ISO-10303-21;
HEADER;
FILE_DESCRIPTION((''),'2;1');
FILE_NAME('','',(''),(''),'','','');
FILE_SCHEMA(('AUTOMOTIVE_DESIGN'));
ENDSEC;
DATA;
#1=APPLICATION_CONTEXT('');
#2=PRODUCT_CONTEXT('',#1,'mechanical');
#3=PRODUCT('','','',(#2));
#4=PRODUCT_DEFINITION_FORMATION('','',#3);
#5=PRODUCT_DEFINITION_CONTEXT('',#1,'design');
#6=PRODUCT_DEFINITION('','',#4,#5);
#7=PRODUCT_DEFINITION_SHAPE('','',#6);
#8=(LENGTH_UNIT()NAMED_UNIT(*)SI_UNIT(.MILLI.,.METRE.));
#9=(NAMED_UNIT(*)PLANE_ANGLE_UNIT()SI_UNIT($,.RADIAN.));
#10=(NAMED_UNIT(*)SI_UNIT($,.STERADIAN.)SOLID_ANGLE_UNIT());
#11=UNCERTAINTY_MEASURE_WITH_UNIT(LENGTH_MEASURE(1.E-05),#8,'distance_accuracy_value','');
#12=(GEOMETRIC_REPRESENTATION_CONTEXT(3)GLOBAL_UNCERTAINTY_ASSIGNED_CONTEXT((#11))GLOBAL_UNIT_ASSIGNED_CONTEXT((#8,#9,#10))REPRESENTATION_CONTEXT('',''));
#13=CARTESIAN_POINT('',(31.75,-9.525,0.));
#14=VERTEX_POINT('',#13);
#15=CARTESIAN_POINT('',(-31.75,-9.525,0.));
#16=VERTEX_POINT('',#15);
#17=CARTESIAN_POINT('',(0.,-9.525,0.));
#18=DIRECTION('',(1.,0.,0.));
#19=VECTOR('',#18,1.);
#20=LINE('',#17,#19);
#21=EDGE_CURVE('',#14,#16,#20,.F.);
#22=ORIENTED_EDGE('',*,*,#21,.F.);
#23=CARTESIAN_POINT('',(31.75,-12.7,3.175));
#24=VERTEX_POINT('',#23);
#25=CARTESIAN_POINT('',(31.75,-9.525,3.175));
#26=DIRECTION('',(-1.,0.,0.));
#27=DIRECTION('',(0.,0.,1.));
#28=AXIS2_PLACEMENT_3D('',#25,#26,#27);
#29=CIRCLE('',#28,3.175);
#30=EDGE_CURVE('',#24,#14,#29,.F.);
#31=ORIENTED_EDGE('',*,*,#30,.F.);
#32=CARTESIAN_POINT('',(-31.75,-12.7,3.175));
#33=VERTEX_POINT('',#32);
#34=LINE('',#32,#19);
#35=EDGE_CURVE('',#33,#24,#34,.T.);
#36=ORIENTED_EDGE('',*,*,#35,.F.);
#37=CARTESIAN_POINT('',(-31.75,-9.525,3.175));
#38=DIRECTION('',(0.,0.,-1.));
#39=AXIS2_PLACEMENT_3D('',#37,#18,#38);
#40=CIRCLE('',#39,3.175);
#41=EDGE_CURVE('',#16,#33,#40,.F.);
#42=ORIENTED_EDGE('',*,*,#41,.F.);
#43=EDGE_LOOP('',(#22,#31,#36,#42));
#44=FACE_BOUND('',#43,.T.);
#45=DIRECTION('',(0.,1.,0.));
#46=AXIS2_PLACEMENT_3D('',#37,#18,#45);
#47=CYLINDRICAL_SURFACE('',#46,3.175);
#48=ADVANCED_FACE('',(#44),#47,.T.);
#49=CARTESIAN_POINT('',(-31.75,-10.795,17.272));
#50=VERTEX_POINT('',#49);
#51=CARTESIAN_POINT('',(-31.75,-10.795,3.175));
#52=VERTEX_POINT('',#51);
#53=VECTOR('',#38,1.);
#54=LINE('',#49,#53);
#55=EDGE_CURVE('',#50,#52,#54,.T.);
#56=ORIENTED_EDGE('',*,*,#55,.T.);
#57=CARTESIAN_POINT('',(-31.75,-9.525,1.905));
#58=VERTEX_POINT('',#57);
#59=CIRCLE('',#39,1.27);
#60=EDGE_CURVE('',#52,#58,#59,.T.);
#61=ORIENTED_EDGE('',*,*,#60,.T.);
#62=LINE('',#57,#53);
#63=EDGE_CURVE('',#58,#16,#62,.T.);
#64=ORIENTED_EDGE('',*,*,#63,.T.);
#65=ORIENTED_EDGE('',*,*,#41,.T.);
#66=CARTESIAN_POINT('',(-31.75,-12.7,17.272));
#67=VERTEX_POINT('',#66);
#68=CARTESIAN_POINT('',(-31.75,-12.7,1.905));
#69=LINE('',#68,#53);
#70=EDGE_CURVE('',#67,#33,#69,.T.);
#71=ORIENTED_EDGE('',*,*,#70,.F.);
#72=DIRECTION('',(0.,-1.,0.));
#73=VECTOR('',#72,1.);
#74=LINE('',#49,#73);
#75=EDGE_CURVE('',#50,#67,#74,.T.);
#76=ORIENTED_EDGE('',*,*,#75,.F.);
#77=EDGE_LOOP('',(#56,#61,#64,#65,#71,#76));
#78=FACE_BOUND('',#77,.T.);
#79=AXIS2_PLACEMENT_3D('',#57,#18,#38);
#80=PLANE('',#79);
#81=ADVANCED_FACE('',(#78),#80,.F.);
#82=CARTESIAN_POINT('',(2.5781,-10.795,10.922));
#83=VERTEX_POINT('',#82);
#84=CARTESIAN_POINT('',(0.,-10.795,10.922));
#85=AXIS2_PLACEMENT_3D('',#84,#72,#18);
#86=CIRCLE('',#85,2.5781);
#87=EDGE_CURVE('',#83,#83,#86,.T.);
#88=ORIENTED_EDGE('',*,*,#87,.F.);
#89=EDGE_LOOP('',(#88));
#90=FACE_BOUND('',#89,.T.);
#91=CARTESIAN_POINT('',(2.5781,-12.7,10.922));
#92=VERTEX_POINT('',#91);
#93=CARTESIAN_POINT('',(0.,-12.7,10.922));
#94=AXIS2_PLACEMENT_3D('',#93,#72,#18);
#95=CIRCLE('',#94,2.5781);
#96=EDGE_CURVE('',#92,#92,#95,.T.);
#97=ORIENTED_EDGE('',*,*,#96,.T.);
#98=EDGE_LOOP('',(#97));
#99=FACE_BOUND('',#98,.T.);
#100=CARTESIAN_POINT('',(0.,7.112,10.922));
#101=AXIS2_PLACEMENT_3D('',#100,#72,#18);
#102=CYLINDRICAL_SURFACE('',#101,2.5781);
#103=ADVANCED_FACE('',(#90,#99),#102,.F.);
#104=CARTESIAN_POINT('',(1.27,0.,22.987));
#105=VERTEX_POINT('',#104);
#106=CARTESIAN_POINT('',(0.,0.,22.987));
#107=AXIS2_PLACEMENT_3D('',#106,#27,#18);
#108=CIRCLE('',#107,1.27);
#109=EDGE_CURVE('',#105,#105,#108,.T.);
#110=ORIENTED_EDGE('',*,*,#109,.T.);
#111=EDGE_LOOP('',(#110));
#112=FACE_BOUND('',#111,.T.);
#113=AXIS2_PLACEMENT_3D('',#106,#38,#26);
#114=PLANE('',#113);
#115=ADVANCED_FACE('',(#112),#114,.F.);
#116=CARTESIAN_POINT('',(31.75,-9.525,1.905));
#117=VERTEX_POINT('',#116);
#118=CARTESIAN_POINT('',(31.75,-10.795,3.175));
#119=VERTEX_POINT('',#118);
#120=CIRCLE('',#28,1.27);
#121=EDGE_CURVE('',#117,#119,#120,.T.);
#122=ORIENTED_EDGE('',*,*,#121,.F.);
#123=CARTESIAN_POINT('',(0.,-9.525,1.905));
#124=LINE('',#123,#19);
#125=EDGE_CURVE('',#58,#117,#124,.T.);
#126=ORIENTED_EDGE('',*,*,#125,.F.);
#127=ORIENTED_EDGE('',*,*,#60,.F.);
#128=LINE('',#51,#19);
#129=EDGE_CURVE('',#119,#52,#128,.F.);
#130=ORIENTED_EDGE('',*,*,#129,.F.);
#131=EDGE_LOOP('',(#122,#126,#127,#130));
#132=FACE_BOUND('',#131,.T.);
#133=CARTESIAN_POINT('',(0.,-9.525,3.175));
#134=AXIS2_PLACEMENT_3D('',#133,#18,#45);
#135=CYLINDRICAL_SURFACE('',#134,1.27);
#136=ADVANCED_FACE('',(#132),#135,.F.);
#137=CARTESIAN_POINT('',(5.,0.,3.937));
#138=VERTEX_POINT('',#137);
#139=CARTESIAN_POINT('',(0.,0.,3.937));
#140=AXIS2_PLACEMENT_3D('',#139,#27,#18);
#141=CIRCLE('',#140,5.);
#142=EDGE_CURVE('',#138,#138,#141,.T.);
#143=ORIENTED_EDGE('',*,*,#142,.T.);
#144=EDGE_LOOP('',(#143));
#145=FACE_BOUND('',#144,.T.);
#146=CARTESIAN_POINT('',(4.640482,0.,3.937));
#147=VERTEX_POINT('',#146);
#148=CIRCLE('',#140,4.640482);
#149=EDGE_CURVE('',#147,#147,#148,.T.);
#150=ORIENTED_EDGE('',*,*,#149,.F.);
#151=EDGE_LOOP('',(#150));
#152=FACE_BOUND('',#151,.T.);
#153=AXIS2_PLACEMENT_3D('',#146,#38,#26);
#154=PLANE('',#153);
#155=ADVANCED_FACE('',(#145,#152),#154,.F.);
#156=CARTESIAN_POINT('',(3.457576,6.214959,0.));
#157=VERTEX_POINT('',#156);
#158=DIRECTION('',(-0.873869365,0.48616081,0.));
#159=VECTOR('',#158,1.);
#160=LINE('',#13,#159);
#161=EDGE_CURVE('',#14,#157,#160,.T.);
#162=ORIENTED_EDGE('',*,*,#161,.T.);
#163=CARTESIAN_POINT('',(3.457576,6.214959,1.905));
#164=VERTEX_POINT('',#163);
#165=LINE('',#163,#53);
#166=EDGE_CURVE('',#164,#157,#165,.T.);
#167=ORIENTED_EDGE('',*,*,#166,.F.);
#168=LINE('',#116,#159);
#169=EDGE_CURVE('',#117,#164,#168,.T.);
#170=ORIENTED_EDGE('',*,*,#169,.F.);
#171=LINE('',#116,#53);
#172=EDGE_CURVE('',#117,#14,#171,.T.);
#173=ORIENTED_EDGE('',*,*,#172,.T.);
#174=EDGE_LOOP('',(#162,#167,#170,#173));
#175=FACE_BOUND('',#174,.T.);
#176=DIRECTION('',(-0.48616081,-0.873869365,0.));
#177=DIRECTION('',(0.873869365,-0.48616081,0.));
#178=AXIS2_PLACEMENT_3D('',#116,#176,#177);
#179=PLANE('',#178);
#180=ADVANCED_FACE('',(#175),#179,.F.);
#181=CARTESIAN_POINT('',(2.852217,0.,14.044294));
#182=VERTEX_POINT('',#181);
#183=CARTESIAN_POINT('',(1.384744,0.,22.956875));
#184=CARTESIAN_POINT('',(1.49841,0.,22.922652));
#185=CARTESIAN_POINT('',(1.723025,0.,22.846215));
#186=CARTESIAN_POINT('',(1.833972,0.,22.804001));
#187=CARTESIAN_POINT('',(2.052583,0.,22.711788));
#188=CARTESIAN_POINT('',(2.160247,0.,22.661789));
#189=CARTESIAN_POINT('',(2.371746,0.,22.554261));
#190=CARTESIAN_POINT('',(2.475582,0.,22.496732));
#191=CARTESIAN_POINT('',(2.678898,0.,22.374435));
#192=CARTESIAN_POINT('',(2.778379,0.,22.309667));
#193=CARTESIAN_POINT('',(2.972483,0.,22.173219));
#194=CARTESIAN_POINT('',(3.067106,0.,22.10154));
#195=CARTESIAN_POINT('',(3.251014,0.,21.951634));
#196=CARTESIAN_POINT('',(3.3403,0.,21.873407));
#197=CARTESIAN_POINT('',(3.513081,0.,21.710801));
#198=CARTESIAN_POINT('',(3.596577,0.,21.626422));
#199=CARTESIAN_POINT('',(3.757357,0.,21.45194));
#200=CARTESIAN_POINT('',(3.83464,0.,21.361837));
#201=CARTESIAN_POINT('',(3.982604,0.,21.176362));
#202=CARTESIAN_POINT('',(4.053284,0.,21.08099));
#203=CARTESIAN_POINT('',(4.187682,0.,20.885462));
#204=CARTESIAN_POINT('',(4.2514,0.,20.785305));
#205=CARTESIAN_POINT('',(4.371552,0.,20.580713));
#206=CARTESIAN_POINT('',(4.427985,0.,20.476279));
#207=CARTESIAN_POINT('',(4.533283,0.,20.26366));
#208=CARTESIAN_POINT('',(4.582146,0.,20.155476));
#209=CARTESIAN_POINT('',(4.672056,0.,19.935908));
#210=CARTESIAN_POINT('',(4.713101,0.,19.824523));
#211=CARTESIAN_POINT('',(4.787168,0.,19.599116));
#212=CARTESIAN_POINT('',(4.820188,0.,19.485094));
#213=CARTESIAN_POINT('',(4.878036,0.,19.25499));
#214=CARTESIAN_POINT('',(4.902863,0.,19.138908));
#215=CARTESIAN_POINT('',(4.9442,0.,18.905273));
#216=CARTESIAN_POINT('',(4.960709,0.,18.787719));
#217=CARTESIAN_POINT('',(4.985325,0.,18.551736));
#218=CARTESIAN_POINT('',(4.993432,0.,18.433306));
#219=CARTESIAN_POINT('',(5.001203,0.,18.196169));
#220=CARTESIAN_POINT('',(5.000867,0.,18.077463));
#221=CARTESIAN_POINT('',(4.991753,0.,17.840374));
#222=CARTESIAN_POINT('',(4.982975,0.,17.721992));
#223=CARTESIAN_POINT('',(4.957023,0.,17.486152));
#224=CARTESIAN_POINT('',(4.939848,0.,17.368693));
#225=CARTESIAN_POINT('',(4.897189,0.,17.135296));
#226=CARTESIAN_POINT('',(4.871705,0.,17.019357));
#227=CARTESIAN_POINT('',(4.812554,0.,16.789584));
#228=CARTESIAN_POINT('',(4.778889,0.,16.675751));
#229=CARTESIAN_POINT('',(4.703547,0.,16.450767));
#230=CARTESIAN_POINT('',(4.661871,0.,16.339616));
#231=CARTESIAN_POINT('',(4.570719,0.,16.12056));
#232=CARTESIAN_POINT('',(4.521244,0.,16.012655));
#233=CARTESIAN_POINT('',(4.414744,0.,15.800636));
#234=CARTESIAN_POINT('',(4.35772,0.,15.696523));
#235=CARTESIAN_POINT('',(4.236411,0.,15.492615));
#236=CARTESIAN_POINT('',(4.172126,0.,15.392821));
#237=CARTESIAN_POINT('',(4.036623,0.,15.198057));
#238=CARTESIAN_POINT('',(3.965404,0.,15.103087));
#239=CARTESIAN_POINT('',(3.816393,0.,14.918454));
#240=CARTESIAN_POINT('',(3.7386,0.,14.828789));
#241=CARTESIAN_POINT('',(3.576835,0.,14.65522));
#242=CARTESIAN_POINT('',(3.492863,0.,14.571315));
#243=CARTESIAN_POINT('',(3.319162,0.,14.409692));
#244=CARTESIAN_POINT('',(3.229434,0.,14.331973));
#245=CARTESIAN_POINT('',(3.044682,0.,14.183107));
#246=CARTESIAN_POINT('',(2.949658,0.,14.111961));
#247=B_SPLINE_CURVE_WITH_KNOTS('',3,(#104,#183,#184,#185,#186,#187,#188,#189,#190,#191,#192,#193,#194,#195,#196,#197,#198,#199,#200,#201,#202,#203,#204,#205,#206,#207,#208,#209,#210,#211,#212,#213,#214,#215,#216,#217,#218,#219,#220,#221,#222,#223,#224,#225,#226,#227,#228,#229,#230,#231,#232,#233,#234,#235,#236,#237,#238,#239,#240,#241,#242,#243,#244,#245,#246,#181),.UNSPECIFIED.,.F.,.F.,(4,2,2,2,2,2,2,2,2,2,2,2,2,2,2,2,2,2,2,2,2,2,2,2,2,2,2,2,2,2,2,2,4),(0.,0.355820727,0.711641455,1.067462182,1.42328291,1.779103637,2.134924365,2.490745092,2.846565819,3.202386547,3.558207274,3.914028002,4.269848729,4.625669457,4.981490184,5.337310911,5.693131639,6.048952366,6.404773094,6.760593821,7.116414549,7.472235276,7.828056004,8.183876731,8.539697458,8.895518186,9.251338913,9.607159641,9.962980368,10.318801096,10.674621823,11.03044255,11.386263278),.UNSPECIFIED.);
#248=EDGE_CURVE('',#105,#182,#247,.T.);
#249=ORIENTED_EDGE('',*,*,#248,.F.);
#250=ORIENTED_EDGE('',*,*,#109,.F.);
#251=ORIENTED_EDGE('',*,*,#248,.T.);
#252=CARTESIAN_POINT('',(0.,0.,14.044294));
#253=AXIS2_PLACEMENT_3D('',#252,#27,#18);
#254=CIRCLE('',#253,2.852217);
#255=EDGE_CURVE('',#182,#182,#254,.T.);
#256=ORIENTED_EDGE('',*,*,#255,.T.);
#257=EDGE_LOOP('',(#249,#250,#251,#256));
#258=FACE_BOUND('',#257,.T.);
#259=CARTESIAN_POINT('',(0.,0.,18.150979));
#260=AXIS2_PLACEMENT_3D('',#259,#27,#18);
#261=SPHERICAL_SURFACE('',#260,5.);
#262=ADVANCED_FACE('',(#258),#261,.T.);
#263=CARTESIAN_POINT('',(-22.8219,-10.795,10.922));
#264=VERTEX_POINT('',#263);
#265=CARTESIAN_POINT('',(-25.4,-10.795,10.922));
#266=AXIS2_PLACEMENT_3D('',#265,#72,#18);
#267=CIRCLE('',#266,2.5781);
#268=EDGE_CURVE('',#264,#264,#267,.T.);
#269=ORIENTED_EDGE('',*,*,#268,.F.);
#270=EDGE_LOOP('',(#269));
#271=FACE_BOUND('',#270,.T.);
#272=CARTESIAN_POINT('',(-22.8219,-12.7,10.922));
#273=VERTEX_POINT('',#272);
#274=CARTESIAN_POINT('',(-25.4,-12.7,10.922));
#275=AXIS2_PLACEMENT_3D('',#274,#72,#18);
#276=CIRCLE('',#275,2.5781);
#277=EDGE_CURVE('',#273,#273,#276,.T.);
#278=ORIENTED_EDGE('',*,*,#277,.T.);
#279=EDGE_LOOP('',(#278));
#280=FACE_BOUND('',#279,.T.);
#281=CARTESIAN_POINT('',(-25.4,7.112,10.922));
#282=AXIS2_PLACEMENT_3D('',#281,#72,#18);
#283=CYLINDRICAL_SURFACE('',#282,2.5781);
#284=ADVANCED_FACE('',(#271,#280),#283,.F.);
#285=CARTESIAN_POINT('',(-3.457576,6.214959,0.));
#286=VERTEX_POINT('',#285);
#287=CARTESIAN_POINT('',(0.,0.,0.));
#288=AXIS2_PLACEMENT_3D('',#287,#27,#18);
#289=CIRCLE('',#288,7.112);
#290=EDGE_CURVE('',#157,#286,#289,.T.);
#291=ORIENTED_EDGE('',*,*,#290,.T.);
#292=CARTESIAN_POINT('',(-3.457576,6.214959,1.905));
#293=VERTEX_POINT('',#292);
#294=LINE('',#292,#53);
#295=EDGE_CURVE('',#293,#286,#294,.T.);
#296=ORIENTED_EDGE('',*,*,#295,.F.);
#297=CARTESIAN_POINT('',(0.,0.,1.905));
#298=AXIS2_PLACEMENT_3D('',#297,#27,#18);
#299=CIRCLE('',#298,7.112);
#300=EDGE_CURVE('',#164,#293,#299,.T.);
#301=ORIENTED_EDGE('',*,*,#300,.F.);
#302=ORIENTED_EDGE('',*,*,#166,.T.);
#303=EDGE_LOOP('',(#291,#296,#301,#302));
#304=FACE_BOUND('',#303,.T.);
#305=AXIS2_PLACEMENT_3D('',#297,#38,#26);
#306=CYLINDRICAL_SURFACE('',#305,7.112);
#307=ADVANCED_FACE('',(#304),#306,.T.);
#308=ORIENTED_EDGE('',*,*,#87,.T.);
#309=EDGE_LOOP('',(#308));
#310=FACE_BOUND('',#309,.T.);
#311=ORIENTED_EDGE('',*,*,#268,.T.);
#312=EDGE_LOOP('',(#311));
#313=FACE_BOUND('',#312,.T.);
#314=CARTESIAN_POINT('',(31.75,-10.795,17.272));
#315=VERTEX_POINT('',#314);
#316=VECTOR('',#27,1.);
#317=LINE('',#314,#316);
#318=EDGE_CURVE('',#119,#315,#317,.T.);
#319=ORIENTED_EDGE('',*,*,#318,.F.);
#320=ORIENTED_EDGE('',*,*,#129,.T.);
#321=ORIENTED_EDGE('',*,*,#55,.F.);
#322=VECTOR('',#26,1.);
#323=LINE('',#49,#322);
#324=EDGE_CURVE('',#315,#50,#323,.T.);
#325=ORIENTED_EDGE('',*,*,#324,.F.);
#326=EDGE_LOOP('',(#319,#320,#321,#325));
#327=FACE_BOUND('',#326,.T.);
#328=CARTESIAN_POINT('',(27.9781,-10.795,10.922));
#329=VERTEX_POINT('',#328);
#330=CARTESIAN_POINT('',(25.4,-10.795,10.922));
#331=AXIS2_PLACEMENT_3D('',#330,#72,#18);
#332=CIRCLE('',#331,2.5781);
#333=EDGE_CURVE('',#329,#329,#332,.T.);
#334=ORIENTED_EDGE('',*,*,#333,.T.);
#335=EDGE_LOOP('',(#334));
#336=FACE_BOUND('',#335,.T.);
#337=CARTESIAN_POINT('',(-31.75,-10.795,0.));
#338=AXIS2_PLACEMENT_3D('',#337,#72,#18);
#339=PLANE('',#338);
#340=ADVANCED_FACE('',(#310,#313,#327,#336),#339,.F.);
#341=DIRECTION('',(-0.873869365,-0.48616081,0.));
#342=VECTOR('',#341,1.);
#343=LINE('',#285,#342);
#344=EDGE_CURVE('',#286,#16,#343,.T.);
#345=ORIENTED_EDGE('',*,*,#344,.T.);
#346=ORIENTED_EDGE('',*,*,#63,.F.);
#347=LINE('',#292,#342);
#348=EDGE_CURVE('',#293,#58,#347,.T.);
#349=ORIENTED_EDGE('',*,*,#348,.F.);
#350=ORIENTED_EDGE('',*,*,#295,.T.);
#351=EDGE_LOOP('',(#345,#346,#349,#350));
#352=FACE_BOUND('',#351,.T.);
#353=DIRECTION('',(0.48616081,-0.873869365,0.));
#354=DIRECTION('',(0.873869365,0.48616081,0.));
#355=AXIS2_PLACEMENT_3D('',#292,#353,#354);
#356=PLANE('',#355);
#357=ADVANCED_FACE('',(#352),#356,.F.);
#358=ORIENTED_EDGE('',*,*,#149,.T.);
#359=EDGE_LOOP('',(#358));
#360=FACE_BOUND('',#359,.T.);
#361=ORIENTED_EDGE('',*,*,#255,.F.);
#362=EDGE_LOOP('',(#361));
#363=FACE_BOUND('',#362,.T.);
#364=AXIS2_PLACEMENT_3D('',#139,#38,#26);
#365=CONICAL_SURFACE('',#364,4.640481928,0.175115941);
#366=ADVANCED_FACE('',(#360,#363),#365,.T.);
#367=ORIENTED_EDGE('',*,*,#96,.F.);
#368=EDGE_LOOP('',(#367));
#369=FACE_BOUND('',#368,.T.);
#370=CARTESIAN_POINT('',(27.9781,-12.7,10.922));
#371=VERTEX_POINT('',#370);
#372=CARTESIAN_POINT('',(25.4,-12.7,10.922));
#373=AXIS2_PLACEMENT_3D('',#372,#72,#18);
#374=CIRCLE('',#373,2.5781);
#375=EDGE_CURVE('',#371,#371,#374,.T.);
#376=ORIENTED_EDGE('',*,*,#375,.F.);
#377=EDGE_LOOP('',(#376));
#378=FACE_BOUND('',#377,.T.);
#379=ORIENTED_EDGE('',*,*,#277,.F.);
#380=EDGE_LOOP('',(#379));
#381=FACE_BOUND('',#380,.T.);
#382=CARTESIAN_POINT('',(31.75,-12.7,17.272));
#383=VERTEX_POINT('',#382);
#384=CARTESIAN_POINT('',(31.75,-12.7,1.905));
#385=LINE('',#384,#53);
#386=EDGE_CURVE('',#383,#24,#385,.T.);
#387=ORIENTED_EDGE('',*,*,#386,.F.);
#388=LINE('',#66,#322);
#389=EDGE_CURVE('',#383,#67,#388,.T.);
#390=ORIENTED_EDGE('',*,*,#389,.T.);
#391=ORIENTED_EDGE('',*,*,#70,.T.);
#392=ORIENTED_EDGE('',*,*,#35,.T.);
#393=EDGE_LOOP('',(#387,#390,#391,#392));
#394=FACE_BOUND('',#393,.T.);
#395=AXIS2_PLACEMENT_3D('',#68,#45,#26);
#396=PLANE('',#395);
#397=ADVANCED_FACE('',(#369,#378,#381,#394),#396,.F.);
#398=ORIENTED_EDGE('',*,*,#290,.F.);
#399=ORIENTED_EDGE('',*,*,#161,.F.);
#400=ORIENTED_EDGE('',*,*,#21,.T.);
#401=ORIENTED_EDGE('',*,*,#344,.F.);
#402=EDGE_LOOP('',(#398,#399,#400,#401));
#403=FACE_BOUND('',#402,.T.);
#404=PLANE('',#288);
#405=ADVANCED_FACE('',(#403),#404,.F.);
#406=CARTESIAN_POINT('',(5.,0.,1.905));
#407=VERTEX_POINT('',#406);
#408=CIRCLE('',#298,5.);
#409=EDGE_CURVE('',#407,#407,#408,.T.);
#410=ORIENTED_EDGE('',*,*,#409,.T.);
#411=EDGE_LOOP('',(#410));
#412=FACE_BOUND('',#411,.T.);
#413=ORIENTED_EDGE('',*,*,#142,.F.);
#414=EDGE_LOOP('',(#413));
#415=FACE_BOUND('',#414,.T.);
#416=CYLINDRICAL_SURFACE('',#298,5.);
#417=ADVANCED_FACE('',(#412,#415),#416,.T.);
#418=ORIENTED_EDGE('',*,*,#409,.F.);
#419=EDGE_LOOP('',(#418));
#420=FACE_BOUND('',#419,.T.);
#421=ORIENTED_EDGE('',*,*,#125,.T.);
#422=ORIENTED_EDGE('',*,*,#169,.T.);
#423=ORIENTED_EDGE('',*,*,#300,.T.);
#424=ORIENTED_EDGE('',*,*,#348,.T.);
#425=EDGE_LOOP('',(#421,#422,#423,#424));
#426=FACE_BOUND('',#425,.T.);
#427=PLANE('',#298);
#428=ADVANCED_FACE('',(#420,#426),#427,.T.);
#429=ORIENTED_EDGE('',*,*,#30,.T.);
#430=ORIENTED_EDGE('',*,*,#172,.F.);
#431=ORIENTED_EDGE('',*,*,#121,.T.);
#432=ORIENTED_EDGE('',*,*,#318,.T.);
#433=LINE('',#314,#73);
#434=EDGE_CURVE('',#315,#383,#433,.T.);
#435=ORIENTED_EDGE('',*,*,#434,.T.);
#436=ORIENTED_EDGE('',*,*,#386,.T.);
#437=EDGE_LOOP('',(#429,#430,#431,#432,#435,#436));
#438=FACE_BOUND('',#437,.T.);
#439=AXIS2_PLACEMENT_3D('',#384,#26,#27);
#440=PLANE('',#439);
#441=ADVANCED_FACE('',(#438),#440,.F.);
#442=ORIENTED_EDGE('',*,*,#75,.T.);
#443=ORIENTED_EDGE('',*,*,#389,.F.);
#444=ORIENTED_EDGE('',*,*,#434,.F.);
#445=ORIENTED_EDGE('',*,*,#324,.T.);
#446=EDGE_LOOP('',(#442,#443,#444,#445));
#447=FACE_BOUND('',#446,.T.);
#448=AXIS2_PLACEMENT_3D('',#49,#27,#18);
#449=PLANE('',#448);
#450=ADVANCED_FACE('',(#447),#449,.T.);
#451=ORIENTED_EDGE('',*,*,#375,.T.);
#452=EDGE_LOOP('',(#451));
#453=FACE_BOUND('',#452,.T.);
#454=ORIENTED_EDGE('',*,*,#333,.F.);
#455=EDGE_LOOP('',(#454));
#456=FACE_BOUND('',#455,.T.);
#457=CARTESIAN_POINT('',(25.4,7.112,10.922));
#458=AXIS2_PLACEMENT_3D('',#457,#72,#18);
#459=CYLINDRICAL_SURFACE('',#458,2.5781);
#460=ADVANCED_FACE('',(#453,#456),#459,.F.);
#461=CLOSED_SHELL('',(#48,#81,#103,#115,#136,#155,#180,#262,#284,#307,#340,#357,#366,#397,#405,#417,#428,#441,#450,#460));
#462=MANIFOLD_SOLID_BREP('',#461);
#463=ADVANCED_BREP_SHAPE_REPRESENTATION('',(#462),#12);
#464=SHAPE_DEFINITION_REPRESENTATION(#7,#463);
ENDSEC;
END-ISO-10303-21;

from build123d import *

# Parameters (mm, degrees)
EXTRUDE1_DEPTH     = 1.905
SKETCH4_W          = 63.5
SKETCH4_H          = 17.272
EXTRUDE2_DEPTH     = 1.905
FILLET1_R          = 1.27
FILLET2_R          = 3.175
SKETCH5_R          = 2.5781
CUT_EXTRUDE1_DEPTH = 42.217712552


with BuildPart() as part:
    # Sketch1 → Extrude1 (new body)
    with BuildSketch(Plane.XY):
        with BuildLine():
            Line((-31.75, -12.7), (31.75, -12.7))
            Line((31.75, -12.7), (31.75, -9.525))
            Line((31.75, -9.525), (3.457575677, 6.214958925))
            ThreePointArc((3.457575677, 6.214958925), (0, 7.112), (-3.457575677, 6.214958925))
            Line((-3.457575677, 6.214958925), (-31.75, -9.525))
            Line((-31.75, -9.525), (-31.75, -12.7))
        make_face()
    extrude(amount=EXTRUDE1_DEPTH)

    # Sketch4 → Extrude2 (add)
    with BuildSketch(Plane.XZ.offset(12.7)):
        with Locations((0, 8.636)):
            Rectangle(SKETCH4_W, SKETCH4_H)
    extrude(amount=-EXTRUDE2_DEPTH)

    # Fillet1
    fillet1_edges = [part.edges().sort_by_distance(p)[0] for p in [
        (0, -10.795, 1.905),
    ]]
    fillet(fillet1_edges, radius=FILLET1_R)

    # Fillet2
    fillet2_edges = [part.edges().sort_by_distance(p)[0] for p in [
        (0, -12.7, 0),
    ]]
    fillet(fillet2_edges, radius=FILLET2_R)

    # Sketch5 → Cut-Extrude1 (cut, through all)
    with BuildSketch(Plane.XZ.offset(12.7)):
        with Locations((-25.4, 10.922)):
            Circle(SKETCH5_R)
        with Locations((25.4, 10.922)):
            Circle(SKETCH5_R)
        with Locations((0, 10.922)):
            Circle(SKETCH5_R)
    extrude(amount=-CUT_EXTRUDE1_DEPTH, mode=Mode.SUBTRACT)

    # Sketch3 → Revolve1 (revolve)
    with BuildSketch(Plane.XZ):
        with BuildLine():
            Line((0, 1.905), (0, 22.987))
            Line((0, 22.987), (1.27, 22.987))
            ThreePointArc((1.27, 22.987), (4.92353173, 19.022090442), (2.852216719, 14.044294139))
            Line((2.852216719, 14.044294139), (4.640481928, 3.937))
            Line((4.640481928, 3.937), (5, 3.937))
            Line((5, 3.937), (5, 1.905))
            Line((5, 1.905), (0, 1.905))
        make_face()
    revolve(axis=Axis((0, 0, 1.905), (0, 0, -1)))


solid = part.part
